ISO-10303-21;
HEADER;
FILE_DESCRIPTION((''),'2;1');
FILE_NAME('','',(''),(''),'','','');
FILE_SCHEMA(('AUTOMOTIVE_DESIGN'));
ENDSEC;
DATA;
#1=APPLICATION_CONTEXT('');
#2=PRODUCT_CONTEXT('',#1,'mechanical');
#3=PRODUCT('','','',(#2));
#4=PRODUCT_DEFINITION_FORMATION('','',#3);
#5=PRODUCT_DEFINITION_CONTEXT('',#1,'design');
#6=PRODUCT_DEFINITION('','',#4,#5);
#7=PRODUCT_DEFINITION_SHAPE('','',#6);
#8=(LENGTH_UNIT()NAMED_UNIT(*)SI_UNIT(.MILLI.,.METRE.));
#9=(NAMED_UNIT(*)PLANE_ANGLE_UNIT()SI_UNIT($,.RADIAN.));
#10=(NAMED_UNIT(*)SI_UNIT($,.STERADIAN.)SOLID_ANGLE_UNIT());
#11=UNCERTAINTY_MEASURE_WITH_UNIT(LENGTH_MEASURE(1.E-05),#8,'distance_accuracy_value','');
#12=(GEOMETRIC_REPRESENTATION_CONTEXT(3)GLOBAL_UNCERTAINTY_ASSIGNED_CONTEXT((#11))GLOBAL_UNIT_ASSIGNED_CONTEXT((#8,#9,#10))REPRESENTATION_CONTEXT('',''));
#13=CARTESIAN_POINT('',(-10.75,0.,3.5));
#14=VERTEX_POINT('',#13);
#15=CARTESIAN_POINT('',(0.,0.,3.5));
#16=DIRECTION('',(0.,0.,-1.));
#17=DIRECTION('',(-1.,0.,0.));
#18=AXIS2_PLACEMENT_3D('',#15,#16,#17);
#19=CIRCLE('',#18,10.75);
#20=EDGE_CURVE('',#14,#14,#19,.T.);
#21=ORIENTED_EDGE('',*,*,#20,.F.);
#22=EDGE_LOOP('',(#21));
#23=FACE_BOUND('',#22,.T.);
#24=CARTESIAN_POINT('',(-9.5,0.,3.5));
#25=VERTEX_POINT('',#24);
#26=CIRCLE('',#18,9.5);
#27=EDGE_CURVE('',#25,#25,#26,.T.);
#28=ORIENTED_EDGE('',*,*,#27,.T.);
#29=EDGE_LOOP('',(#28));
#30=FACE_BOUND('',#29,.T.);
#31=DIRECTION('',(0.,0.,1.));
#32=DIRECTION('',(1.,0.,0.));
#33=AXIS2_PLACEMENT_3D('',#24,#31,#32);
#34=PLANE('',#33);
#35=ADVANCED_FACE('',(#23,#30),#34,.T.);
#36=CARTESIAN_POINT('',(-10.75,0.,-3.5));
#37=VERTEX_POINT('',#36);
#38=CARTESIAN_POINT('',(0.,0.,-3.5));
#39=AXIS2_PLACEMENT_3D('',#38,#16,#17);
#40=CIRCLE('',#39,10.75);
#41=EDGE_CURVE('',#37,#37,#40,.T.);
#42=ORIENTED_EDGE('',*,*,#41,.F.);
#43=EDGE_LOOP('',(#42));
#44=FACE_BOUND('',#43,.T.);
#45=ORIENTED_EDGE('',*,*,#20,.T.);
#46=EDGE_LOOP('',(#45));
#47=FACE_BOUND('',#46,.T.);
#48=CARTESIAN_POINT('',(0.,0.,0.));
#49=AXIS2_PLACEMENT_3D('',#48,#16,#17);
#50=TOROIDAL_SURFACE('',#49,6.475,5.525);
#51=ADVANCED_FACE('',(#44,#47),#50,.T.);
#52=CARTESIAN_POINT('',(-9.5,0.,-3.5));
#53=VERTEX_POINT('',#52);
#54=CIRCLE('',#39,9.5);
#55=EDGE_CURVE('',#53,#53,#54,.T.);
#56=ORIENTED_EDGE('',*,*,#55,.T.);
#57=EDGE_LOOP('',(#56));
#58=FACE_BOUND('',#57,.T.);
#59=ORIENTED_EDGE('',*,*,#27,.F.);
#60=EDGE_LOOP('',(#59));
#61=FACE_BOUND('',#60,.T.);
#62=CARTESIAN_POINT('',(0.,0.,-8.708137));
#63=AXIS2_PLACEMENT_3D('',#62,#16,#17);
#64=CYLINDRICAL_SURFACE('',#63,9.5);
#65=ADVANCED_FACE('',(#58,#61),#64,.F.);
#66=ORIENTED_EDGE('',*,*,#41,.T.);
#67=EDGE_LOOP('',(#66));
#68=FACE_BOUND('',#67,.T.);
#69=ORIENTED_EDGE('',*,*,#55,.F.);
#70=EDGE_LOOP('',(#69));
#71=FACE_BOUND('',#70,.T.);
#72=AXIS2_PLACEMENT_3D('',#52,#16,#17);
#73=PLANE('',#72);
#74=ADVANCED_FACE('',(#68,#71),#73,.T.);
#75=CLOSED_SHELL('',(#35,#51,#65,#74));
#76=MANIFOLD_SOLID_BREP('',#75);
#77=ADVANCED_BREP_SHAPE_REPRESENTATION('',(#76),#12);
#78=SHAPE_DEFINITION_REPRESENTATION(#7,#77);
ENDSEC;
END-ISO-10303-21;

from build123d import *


with BuildPart() as part:
    # Sketch1 → Revolve1 (revolve)
    with BuildSketch(Plane(origin=(0, 0, 0), x_dir=(1, 0, 0), z_dir=(0, 1, 0))):
        with BuildLine():
            Line((-9.5, 3.5), (-10.75, 3.5))
            ThreePointArc((-10.75, 3.5), (-12, 0), (-10.75, -3.5))
            Line((-10.75, -3.5), (-9.5, -3.5))
            Line((-9.5, -3.5), (-9.5, 3.5))
        make_face()
    revolve(axis=Axis((0, 0, -8.708137), (0, 0, 1)))


solid = part.part
